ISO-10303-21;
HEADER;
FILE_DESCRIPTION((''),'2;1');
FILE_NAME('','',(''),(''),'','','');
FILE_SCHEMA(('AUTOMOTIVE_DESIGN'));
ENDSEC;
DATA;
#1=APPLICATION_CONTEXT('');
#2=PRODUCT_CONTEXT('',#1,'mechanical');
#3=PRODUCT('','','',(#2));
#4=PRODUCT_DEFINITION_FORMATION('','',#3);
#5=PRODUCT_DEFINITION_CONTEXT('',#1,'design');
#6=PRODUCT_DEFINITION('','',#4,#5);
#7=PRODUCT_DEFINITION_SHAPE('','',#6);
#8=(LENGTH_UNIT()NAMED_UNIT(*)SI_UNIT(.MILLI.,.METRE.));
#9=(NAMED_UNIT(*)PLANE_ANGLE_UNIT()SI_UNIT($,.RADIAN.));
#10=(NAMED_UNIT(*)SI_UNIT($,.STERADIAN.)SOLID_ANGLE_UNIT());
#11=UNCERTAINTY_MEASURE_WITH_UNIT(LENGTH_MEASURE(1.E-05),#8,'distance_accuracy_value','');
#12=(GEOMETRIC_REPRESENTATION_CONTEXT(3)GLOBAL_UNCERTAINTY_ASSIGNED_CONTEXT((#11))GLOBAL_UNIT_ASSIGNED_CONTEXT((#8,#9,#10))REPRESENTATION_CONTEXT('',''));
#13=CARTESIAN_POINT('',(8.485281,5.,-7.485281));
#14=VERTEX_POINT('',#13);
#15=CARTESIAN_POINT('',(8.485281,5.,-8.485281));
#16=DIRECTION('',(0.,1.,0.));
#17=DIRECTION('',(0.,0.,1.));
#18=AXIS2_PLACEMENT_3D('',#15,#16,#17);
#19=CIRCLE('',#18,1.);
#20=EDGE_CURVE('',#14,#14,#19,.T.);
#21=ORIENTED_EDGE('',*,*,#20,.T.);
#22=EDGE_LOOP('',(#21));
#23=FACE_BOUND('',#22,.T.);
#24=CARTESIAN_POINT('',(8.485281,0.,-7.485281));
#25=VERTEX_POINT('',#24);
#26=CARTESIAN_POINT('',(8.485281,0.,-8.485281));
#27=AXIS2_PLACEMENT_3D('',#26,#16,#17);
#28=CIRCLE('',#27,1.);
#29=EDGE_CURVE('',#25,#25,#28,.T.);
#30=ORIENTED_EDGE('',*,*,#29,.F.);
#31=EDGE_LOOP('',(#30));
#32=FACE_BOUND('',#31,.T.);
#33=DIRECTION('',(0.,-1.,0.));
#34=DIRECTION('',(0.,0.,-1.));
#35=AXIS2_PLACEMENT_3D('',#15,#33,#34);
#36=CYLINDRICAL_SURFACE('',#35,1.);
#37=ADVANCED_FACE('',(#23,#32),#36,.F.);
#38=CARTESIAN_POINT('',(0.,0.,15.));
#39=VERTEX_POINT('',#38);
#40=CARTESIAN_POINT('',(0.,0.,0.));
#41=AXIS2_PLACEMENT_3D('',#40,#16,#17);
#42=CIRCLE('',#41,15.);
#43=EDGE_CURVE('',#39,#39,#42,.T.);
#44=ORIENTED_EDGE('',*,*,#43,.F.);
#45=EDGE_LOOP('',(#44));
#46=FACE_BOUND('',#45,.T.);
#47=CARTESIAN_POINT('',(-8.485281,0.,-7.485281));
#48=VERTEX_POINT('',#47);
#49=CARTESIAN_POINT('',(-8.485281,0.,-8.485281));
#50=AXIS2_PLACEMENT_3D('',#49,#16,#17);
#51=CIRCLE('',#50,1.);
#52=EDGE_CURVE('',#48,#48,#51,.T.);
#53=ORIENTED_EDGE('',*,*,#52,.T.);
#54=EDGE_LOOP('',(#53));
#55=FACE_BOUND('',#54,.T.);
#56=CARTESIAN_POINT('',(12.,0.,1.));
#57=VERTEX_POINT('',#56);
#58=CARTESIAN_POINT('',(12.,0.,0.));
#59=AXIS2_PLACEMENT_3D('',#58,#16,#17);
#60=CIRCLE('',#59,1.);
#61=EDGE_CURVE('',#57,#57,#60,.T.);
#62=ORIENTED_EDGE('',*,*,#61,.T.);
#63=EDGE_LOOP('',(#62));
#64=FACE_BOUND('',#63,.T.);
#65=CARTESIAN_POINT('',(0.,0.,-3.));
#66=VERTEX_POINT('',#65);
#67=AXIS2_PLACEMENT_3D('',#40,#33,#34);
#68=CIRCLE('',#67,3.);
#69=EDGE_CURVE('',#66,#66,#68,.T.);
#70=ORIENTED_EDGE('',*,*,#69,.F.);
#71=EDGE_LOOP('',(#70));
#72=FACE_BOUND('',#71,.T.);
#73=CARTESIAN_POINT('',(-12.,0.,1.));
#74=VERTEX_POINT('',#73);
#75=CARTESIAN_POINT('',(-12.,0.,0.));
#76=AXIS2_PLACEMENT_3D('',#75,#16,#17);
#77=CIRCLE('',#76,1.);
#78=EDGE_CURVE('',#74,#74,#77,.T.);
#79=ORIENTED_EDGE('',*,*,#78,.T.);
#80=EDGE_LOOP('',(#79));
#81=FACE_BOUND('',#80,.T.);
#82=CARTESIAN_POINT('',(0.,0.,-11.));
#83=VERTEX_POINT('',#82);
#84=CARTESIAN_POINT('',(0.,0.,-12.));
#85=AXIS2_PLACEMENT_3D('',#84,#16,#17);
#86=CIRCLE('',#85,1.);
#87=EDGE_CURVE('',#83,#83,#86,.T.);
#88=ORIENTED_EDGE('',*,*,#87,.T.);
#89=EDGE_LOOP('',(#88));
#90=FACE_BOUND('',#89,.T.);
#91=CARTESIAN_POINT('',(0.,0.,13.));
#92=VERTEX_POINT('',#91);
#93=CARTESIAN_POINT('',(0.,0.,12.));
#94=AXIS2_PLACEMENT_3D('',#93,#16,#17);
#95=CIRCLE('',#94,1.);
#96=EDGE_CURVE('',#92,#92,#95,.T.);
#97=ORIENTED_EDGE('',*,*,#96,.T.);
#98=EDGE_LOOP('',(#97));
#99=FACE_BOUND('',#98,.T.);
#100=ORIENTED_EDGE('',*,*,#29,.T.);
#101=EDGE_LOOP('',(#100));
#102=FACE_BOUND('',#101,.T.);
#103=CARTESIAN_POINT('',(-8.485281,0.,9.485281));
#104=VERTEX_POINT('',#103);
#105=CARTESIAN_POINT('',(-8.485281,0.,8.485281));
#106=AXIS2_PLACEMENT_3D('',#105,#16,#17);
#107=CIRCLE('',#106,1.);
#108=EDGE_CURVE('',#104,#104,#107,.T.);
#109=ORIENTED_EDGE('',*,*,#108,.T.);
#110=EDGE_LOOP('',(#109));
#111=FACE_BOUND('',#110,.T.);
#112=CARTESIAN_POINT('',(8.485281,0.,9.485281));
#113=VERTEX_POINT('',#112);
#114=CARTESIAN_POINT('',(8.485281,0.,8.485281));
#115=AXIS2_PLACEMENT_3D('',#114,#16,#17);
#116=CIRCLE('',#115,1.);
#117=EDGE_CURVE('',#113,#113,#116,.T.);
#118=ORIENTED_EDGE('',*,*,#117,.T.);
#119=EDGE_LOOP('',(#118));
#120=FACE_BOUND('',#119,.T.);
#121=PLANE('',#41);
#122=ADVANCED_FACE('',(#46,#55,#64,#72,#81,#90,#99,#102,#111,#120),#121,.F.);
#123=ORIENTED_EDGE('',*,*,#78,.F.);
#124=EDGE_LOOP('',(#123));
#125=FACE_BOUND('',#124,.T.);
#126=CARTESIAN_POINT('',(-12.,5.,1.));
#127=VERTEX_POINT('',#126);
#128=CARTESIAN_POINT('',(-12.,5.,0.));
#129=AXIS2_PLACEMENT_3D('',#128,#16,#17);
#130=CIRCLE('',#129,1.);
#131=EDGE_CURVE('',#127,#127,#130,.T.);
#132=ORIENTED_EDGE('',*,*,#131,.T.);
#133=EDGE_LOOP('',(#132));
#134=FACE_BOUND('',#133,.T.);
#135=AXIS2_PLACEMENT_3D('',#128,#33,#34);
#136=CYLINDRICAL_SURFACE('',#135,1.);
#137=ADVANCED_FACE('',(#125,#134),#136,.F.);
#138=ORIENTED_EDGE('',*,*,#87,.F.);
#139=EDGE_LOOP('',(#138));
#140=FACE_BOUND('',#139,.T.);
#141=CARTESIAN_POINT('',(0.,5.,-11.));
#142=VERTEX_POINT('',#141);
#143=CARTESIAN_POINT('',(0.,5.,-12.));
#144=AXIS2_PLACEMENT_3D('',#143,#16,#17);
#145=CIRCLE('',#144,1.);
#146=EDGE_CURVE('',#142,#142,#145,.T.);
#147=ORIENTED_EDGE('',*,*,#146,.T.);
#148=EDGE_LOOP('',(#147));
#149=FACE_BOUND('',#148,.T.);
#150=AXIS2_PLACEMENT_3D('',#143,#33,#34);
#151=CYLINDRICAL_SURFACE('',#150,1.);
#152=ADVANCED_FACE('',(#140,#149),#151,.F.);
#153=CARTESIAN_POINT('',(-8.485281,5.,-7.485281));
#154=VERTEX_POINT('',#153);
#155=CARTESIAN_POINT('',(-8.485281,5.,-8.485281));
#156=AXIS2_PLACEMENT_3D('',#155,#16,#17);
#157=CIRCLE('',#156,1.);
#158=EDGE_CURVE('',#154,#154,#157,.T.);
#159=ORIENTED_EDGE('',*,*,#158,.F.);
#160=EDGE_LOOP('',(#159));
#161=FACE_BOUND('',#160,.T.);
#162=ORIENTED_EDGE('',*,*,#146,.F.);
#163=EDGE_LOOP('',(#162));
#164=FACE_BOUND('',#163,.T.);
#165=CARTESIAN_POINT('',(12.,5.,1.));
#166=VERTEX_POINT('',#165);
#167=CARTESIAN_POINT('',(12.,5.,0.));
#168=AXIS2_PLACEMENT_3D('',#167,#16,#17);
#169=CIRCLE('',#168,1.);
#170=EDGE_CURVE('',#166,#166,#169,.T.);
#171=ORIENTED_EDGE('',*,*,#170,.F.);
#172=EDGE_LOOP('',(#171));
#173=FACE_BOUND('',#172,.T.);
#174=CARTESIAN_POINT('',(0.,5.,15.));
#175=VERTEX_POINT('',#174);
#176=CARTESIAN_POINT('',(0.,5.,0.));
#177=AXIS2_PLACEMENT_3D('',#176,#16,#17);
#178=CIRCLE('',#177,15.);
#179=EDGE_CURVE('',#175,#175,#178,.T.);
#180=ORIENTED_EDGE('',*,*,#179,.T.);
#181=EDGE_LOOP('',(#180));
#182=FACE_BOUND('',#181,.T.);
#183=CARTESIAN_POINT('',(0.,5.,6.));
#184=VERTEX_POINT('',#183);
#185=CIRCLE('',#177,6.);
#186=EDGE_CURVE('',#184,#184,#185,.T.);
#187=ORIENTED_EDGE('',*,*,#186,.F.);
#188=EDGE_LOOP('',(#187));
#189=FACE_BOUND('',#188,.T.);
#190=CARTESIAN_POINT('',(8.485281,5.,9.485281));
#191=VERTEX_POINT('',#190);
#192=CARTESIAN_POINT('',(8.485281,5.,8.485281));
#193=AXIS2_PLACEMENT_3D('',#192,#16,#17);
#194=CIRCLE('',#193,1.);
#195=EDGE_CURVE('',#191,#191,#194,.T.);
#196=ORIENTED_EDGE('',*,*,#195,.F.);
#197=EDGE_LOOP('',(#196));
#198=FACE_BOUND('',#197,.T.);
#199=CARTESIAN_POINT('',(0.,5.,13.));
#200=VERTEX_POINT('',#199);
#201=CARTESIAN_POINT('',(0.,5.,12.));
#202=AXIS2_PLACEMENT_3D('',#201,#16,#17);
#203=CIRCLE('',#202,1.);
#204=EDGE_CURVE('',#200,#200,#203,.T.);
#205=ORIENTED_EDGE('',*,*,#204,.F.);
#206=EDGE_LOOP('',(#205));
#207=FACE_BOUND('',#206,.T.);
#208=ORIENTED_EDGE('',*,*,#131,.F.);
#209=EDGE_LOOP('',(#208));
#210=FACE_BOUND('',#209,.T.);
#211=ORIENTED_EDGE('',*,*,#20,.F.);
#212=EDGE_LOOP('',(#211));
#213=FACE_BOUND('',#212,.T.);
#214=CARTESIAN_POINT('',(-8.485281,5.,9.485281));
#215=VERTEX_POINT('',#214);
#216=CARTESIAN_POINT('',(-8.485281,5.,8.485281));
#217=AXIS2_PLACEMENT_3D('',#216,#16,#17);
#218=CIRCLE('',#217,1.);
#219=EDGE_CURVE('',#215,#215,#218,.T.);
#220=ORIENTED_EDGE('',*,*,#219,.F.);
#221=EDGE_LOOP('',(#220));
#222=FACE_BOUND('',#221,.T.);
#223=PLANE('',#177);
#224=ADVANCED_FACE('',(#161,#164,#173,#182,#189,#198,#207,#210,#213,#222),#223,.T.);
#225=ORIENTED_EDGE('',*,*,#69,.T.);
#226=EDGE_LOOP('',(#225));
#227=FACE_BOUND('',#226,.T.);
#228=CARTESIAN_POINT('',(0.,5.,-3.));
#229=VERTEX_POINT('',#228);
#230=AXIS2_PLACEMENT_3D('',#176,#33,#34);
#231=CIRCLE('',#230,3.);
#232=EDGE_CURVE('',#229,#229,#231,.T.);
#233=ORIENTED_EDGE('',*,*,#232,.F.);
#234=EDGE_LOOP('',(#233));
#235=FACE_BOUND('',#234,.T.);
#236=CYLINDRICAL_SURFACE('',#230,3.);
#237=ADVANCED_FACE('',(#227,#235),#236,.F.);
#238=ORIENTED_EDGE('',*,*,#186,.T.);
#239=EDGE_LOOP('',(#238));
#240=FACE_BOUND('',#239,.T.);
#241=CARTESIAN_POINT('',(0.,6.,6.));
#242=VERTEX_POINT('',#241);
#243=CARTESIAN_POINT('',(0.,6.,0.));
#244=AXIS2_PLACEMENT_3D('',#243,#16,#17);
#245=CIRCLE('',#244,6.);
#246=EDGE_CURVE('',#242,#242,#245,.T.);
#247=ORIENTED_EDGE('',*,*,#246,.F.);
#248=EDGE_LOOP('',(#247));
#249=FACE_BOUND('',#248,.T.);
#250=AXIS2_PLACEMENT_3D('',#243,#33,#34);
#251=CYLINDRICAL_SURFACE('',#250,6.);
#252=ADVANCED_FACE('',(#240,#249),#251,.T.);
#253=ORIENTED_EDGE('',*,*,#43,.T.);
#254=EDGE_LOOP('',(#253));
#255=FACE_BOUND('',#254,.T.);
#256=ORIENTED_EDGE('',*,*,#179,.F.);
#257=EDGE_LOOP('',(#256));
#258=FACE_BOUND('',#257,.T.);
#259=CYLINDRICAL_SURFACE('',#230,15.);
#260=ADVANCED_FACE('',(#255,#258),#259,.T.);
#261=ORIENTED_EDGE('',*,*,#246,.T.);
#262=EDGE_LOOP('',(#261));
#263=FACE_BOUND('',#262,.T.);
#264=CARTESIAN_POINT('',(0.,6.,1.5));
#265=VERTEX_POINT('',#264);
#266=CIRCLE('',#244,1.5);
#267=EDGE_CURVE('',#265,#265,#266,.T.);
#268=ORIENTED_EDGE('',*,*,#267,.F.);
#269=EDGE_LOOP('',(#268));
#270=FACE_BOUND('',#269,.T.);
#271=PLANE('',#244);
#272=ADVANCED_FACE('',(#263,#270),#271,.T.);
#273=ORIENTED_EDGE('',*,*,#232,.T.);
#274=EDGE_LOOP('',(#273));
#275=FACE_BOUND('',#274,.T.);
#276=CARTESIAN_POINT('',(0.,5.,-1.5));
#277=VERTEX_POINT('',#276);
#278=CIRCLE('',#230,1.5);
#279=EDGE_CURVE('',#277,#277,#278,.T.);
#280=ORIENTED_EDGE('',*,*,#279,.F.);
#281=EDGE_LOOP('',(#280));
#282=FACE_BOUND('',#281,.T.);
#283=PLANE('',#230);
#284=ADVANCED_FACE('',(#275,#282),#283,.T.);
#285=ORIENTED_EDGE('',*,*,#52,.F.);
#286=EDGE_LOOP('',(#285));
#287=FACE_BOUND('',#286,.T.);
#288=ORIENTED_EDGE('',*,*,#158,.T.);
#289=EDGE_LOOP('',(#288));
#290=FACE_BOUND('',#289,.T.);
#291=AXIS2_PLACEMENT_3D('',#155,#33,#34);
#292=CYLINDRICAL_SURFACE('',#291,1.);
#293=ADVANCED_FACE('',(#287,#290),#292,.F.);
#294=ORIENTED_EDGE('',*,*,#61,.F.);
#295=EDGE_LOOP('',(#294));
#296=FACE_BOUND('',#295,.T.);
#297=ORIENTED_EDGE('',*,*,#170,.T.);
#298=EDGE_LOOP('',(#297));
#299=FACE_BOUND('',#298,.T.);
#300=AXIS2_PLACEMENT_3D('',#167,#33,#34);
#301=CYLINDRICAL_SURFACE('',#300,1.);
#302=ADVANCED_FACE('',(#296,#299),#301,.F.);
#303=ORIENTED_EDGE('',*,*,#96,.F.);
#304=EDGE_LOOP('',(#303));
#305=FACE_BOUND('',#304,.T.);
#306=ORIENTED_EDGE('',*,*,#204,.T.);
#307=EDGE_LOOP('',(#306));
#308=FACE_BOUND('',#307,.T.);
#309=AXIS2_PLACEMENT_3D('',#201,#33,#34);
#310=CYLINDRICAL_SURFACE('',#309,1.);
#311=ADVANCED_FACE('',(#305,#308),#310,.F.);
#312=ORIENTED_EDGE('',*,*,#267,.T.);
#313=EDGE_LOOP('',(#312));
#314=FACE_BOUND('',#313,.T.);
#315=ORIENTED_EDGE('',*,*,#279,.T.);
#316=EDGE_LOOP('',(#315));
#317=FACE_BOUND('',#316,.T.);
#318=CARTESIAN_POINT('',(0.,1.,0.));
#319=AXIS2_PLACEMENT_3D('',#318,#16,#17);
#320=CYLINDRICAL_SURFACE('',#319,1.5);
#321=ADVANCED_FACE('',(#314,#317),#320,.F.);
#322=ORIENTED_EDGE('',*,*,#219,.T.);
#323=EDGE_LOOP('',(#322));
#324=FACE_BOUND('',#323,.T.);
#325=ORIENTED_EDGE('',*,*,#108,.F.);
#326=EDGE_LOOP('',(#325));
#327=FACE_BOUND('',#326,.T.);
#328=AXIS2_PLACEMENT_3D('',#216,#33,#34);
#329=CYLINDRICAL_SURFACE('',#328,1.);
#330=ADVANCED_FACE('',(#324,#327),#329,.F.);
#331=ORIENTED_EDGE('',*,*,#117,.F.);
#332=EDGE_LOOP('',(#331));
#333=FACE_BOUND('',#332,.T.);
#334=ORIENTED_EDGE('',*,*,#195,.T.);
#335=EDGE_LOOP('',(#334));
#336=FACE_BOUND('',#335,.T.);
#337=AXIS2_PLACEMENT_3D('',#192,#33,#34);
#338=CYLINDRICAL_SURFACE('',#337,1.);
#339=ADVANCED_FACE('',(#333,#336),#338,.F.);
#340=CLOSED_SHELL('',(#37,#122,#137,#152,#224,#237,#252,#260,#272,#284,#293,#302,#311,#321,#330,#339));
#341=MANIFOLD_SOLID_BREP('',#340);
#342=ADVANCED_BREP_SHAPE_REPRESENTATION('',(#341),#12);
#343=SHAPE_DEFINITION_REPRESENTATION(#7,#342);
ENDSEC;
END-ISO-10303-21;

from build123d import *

# Parameters (mm, degrees)
SKETCH1_R           = 15
SKETCH1_R_2         = 1
BOSS_EXTRUDE1_DEPTH = 5
SKETCH2_R           = 6
BOSS_EXTRUDE2_DEPTH = 1
SKETCH3_R           = 3
CUT_EXTRUDE1_DEPTH  = 5
SKETCH4_R           = 1.5
CUT_EXTRUDE2_DEPTH  = 5


with BuildPart() as part:
    # Sketch1 → Boss-Extrude1 (new body)
    with BuildSketch(Plane(origin=(0, 0, 0), x_dir=(1, 0, 0), z_dir=(0, 1, 0))):
        with Locations(Location((0, 0, 0), (0, 0, 270))):
            Circle(SKETCH1_R)
        with Locations(Location((0, 12, 0), (0, 0, 270))):
            Circle(SKETCH1_R_2, mode=Mode.SUBTRACT)
        with Locations(Location((8.485281374, 8.485281374, 0), (0, 0, 270))):
            Circle(SKETCH1_R_2, mode=Mode.SUBTRACT)
        with Locations(Location((12, 0, 0), (0, 0, 270))):
            Circle(SKETCH1_R_2, mode=Mode.SUBTRACT)
        with Locations(Location((8.485281374, -8.485281374, 0), (0, 0, 270))):
            Circle(SKETCH1_R_2, mode=Mode.SUBTRACT)
        with Locations(Location((0, -12, 0), (0, 0, 270))):
            Circle(SKETCH1_R_2, mode=Mode.SUBTRACT)
        with Locations(Location((-8.485281374, -8.485281374, 0), (0, 0, 270))):
            Circle(SKETCH1_R_2, mode=Mode.SUBTRACT)
        with Locations(Location((-12, 0, 0), (0, 0, 270))):
            Circle(SKETCH1_R_2, mode=Mode.SUBTRACT)
        with Locations(Location((-8.485281374, 8.485281374, 0), (0, 0, 270))):
            Circle(SKETCH1_R_2, mode=Mode.SUBTRACT)
    extrude(amount=BOSS_EXTRUDE1_DEPTH)

    # Sketch2 → Boss-Extrude2 (add)
    with BuildSketch(Plane(origin=(0, 5, 0), x_dir=(1, 0, 0), z_dir=(0, 1, 0))):
        with Locations(Location((0, 0, 0), (0, 0, 270))):
            Circle(SKETCH2_R)
    extrude(amount=BOSS_EXTRUDE2_DEPTH)

    # Sketch3 → Cut-Extrude1 (cut)
    with BuildSketch(Plane.XZ):
        with Locations(Location((0, 0, 0), (0, 0, 270))):
            Circle(SKETCH3_R)
    extrude(amount=-CUT_EXTRUDE1_DEPTH, mode=Mode.SUBTRACT)

    # Sketch4 → Cut-Extrude2 (cut)
    with BuildSketch(Plane(origin=(0, 6, 0), x_dir=(1, 0, 0), z_dir=(0, 1, 0))):
        with Locations(Location((0, 0, 0), (0, 0, 270))):
            Circle(SKETCH4_R)
    extrude(amount=-CUT_EXTRUDE2_DEPTH, mode=Mode.SUBTRACT)


solid = part.part
